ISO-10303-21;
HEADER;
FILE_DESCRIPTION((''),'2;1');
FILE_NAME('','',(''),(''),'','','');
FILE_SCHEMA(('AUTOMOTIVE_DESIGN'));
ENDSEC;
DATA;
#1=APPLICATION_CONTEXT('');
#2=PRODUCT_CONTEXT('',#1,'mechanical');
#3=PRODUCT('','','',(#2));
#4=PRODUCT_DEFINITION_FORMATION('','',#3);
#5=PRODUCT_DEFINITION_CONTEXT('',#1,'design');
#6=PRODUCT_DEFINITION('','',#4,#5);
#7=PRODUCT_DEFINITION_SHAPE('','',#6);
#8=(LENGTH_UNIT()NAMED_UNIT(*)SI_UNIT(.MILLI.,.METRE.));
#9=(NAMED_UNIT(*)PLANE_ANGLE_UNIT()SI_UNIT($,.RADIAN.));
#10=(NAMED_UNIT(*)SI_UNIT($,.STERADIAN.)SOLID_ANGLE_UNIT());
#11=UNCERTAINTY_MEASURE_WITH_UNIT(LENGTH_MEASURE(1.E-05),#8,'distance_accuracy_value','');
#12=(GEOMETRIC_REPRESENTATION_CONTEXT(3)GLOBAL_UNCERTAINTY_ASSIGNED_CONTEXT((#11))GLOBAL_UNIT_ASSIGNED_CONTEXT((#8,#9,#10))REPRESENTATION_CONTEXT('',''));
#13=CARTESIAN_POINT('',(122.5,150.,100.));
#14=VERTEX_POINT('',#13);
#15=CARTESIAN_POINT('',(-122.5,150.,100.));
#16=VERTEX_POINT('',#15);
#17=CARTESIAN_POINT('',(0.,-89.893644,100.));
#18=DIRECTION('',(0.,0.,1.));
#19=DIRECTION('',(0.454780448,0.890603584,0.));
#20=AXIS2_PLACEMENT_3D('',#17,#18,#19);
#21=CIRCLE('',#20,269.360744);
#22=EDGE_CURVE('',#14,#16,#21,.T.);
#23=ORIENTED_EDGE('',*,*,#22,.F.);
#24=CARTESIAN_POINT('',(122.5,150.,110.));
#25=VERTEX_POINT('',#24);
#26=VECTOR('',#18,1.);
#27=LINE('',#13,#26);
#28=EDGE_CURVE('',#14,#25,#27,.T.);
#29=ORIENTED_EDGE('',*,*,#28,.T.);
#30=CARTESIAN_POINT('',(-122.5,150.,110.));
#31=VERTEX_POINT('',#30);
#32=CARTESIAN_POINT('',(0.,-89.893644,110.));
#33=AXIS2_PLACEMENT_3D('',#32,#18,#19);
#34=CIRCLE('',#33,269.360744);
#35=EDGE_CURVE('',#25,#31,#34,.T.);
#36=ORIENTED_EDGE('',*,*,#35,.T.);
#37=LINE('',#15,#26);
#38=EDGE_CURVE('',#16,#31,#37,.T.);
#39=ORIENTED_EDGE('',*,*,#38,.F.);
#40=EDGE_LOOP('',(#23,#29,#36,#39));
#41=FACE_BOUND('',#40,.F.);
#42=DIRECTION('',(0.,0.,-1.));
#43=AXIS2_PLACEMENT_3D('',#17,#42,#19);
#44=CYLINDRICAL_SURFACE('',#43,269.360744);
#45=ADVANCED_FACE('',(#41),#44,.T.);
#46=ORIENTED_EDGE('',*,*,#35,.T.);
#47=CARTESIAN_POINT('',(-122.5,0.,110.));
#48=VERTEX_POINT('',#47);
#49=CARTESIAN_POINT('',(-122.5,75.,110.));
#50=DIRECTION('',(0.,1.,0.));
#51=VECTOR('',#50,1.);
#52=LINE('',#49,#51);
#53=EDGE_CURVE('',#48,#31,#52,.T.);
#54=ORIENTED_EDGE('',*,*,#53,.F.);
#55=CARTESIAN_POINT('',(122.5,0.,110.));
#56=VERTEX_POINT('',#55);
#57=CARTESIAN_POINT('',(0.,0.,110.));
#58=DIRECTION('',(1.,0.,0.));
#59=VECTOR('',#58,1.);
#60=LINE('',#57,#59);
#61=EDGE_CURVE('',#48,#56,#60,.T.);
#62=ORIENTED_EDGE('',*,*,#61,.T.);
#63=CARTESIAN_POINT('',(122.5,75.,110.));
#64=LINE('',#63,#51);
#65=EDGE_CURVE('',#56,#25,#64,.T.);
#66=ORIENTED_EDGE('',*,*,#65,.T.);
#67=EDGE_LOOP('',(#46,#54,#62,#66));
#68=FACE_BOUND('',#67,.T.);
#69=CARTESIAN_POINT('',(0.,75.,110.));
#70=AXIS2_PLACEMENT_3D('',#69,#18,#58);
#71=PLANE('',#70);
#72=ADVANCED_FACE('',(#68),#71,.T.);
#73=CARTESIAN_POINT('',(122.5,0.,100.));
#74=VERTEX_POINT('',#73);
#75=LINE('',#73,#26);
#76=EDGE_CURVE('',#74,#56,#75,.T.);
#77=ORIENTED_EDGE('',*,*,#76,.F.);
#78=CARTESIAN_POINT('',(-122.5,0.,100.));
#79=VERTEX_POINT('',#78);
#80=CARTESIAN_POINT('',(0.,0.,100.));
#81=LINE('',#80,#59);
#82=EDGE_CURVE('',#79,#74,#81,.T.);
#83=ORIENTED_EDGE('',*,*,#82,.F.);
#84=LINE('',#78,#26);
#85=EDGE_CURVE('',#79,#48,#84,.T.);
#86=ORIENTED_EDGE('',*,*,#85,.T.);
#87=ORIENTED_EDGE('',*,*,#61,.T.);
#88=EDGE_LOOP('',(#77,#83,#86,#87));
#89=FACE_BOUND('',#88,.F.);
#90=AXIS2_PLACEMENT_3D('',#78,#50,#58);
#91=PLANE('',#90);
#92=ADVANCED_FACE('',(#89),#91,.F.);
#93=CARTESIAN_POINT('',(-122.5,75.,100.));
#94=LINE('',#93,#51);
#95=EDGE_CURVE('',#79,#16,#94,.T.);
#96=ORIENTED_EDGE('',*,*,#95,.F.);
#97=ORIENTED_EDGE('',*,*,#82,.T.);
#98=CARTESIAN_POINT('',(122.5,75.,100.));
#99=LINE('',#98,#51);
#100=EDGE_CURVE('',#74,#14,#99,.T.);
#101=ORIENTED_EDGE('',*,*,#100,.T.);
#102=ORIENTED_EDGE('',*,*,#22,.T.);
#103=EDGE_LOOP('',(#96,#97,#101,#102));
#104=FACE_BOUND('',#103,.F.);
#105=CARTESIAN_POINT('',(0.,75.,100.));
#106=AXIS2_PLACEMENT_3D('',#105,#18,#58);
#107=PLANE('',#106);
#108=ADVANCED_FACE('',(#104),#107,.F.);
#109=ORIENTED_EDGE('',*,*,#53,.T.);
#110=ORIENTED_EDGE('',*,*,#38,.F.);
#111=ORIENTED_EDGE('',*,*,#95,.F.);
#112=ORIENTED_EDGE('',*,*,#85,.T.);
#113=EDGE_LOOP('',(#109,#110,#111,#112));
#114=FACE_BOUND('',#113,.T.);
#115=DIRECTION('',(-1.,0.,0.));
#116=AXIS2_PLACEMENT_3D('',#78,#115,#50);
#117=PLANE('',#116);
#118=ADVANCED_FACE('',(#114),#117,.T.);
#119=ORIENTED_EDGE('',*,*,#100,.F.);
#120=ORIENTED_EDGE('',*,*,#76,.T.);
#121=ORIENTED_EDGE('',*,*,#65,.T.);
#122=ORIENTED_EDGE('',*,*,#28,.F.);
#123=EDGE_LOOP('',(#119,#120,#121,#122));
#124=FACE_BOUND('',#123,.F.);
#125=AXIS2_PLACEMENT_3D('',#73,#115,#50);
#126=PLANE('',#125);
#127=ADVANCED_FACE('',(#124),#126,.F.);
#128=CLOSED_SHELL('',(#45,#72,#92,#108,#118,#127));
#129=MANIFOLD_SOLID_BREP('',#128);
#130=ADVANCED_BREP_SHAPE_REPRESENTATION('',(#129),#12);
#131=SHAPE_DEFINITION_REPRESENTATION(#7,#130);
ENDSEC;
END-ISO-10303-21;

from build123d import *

# Parameters (mm, degrees)
F2_W     = 245
F2_H     = 150
F3_DEPTH = 10


with BuildPart() as f3:
    # F2 (on offset) → F3 (new body)
    with BuildSketch(Plane.XY.offset(100)):
        with Locations((0, 75)):
            Rectangle(F2_W, F2_H)
        with BuildLine():
            ThreePointArc((122.5, 150), (0, 179.4671), (-122.5, 150))
            Line((-122.5, 150), (122.5, 150))
        make_face()
    extrude(amount=F3_DEPTH)


solid = f3.part
